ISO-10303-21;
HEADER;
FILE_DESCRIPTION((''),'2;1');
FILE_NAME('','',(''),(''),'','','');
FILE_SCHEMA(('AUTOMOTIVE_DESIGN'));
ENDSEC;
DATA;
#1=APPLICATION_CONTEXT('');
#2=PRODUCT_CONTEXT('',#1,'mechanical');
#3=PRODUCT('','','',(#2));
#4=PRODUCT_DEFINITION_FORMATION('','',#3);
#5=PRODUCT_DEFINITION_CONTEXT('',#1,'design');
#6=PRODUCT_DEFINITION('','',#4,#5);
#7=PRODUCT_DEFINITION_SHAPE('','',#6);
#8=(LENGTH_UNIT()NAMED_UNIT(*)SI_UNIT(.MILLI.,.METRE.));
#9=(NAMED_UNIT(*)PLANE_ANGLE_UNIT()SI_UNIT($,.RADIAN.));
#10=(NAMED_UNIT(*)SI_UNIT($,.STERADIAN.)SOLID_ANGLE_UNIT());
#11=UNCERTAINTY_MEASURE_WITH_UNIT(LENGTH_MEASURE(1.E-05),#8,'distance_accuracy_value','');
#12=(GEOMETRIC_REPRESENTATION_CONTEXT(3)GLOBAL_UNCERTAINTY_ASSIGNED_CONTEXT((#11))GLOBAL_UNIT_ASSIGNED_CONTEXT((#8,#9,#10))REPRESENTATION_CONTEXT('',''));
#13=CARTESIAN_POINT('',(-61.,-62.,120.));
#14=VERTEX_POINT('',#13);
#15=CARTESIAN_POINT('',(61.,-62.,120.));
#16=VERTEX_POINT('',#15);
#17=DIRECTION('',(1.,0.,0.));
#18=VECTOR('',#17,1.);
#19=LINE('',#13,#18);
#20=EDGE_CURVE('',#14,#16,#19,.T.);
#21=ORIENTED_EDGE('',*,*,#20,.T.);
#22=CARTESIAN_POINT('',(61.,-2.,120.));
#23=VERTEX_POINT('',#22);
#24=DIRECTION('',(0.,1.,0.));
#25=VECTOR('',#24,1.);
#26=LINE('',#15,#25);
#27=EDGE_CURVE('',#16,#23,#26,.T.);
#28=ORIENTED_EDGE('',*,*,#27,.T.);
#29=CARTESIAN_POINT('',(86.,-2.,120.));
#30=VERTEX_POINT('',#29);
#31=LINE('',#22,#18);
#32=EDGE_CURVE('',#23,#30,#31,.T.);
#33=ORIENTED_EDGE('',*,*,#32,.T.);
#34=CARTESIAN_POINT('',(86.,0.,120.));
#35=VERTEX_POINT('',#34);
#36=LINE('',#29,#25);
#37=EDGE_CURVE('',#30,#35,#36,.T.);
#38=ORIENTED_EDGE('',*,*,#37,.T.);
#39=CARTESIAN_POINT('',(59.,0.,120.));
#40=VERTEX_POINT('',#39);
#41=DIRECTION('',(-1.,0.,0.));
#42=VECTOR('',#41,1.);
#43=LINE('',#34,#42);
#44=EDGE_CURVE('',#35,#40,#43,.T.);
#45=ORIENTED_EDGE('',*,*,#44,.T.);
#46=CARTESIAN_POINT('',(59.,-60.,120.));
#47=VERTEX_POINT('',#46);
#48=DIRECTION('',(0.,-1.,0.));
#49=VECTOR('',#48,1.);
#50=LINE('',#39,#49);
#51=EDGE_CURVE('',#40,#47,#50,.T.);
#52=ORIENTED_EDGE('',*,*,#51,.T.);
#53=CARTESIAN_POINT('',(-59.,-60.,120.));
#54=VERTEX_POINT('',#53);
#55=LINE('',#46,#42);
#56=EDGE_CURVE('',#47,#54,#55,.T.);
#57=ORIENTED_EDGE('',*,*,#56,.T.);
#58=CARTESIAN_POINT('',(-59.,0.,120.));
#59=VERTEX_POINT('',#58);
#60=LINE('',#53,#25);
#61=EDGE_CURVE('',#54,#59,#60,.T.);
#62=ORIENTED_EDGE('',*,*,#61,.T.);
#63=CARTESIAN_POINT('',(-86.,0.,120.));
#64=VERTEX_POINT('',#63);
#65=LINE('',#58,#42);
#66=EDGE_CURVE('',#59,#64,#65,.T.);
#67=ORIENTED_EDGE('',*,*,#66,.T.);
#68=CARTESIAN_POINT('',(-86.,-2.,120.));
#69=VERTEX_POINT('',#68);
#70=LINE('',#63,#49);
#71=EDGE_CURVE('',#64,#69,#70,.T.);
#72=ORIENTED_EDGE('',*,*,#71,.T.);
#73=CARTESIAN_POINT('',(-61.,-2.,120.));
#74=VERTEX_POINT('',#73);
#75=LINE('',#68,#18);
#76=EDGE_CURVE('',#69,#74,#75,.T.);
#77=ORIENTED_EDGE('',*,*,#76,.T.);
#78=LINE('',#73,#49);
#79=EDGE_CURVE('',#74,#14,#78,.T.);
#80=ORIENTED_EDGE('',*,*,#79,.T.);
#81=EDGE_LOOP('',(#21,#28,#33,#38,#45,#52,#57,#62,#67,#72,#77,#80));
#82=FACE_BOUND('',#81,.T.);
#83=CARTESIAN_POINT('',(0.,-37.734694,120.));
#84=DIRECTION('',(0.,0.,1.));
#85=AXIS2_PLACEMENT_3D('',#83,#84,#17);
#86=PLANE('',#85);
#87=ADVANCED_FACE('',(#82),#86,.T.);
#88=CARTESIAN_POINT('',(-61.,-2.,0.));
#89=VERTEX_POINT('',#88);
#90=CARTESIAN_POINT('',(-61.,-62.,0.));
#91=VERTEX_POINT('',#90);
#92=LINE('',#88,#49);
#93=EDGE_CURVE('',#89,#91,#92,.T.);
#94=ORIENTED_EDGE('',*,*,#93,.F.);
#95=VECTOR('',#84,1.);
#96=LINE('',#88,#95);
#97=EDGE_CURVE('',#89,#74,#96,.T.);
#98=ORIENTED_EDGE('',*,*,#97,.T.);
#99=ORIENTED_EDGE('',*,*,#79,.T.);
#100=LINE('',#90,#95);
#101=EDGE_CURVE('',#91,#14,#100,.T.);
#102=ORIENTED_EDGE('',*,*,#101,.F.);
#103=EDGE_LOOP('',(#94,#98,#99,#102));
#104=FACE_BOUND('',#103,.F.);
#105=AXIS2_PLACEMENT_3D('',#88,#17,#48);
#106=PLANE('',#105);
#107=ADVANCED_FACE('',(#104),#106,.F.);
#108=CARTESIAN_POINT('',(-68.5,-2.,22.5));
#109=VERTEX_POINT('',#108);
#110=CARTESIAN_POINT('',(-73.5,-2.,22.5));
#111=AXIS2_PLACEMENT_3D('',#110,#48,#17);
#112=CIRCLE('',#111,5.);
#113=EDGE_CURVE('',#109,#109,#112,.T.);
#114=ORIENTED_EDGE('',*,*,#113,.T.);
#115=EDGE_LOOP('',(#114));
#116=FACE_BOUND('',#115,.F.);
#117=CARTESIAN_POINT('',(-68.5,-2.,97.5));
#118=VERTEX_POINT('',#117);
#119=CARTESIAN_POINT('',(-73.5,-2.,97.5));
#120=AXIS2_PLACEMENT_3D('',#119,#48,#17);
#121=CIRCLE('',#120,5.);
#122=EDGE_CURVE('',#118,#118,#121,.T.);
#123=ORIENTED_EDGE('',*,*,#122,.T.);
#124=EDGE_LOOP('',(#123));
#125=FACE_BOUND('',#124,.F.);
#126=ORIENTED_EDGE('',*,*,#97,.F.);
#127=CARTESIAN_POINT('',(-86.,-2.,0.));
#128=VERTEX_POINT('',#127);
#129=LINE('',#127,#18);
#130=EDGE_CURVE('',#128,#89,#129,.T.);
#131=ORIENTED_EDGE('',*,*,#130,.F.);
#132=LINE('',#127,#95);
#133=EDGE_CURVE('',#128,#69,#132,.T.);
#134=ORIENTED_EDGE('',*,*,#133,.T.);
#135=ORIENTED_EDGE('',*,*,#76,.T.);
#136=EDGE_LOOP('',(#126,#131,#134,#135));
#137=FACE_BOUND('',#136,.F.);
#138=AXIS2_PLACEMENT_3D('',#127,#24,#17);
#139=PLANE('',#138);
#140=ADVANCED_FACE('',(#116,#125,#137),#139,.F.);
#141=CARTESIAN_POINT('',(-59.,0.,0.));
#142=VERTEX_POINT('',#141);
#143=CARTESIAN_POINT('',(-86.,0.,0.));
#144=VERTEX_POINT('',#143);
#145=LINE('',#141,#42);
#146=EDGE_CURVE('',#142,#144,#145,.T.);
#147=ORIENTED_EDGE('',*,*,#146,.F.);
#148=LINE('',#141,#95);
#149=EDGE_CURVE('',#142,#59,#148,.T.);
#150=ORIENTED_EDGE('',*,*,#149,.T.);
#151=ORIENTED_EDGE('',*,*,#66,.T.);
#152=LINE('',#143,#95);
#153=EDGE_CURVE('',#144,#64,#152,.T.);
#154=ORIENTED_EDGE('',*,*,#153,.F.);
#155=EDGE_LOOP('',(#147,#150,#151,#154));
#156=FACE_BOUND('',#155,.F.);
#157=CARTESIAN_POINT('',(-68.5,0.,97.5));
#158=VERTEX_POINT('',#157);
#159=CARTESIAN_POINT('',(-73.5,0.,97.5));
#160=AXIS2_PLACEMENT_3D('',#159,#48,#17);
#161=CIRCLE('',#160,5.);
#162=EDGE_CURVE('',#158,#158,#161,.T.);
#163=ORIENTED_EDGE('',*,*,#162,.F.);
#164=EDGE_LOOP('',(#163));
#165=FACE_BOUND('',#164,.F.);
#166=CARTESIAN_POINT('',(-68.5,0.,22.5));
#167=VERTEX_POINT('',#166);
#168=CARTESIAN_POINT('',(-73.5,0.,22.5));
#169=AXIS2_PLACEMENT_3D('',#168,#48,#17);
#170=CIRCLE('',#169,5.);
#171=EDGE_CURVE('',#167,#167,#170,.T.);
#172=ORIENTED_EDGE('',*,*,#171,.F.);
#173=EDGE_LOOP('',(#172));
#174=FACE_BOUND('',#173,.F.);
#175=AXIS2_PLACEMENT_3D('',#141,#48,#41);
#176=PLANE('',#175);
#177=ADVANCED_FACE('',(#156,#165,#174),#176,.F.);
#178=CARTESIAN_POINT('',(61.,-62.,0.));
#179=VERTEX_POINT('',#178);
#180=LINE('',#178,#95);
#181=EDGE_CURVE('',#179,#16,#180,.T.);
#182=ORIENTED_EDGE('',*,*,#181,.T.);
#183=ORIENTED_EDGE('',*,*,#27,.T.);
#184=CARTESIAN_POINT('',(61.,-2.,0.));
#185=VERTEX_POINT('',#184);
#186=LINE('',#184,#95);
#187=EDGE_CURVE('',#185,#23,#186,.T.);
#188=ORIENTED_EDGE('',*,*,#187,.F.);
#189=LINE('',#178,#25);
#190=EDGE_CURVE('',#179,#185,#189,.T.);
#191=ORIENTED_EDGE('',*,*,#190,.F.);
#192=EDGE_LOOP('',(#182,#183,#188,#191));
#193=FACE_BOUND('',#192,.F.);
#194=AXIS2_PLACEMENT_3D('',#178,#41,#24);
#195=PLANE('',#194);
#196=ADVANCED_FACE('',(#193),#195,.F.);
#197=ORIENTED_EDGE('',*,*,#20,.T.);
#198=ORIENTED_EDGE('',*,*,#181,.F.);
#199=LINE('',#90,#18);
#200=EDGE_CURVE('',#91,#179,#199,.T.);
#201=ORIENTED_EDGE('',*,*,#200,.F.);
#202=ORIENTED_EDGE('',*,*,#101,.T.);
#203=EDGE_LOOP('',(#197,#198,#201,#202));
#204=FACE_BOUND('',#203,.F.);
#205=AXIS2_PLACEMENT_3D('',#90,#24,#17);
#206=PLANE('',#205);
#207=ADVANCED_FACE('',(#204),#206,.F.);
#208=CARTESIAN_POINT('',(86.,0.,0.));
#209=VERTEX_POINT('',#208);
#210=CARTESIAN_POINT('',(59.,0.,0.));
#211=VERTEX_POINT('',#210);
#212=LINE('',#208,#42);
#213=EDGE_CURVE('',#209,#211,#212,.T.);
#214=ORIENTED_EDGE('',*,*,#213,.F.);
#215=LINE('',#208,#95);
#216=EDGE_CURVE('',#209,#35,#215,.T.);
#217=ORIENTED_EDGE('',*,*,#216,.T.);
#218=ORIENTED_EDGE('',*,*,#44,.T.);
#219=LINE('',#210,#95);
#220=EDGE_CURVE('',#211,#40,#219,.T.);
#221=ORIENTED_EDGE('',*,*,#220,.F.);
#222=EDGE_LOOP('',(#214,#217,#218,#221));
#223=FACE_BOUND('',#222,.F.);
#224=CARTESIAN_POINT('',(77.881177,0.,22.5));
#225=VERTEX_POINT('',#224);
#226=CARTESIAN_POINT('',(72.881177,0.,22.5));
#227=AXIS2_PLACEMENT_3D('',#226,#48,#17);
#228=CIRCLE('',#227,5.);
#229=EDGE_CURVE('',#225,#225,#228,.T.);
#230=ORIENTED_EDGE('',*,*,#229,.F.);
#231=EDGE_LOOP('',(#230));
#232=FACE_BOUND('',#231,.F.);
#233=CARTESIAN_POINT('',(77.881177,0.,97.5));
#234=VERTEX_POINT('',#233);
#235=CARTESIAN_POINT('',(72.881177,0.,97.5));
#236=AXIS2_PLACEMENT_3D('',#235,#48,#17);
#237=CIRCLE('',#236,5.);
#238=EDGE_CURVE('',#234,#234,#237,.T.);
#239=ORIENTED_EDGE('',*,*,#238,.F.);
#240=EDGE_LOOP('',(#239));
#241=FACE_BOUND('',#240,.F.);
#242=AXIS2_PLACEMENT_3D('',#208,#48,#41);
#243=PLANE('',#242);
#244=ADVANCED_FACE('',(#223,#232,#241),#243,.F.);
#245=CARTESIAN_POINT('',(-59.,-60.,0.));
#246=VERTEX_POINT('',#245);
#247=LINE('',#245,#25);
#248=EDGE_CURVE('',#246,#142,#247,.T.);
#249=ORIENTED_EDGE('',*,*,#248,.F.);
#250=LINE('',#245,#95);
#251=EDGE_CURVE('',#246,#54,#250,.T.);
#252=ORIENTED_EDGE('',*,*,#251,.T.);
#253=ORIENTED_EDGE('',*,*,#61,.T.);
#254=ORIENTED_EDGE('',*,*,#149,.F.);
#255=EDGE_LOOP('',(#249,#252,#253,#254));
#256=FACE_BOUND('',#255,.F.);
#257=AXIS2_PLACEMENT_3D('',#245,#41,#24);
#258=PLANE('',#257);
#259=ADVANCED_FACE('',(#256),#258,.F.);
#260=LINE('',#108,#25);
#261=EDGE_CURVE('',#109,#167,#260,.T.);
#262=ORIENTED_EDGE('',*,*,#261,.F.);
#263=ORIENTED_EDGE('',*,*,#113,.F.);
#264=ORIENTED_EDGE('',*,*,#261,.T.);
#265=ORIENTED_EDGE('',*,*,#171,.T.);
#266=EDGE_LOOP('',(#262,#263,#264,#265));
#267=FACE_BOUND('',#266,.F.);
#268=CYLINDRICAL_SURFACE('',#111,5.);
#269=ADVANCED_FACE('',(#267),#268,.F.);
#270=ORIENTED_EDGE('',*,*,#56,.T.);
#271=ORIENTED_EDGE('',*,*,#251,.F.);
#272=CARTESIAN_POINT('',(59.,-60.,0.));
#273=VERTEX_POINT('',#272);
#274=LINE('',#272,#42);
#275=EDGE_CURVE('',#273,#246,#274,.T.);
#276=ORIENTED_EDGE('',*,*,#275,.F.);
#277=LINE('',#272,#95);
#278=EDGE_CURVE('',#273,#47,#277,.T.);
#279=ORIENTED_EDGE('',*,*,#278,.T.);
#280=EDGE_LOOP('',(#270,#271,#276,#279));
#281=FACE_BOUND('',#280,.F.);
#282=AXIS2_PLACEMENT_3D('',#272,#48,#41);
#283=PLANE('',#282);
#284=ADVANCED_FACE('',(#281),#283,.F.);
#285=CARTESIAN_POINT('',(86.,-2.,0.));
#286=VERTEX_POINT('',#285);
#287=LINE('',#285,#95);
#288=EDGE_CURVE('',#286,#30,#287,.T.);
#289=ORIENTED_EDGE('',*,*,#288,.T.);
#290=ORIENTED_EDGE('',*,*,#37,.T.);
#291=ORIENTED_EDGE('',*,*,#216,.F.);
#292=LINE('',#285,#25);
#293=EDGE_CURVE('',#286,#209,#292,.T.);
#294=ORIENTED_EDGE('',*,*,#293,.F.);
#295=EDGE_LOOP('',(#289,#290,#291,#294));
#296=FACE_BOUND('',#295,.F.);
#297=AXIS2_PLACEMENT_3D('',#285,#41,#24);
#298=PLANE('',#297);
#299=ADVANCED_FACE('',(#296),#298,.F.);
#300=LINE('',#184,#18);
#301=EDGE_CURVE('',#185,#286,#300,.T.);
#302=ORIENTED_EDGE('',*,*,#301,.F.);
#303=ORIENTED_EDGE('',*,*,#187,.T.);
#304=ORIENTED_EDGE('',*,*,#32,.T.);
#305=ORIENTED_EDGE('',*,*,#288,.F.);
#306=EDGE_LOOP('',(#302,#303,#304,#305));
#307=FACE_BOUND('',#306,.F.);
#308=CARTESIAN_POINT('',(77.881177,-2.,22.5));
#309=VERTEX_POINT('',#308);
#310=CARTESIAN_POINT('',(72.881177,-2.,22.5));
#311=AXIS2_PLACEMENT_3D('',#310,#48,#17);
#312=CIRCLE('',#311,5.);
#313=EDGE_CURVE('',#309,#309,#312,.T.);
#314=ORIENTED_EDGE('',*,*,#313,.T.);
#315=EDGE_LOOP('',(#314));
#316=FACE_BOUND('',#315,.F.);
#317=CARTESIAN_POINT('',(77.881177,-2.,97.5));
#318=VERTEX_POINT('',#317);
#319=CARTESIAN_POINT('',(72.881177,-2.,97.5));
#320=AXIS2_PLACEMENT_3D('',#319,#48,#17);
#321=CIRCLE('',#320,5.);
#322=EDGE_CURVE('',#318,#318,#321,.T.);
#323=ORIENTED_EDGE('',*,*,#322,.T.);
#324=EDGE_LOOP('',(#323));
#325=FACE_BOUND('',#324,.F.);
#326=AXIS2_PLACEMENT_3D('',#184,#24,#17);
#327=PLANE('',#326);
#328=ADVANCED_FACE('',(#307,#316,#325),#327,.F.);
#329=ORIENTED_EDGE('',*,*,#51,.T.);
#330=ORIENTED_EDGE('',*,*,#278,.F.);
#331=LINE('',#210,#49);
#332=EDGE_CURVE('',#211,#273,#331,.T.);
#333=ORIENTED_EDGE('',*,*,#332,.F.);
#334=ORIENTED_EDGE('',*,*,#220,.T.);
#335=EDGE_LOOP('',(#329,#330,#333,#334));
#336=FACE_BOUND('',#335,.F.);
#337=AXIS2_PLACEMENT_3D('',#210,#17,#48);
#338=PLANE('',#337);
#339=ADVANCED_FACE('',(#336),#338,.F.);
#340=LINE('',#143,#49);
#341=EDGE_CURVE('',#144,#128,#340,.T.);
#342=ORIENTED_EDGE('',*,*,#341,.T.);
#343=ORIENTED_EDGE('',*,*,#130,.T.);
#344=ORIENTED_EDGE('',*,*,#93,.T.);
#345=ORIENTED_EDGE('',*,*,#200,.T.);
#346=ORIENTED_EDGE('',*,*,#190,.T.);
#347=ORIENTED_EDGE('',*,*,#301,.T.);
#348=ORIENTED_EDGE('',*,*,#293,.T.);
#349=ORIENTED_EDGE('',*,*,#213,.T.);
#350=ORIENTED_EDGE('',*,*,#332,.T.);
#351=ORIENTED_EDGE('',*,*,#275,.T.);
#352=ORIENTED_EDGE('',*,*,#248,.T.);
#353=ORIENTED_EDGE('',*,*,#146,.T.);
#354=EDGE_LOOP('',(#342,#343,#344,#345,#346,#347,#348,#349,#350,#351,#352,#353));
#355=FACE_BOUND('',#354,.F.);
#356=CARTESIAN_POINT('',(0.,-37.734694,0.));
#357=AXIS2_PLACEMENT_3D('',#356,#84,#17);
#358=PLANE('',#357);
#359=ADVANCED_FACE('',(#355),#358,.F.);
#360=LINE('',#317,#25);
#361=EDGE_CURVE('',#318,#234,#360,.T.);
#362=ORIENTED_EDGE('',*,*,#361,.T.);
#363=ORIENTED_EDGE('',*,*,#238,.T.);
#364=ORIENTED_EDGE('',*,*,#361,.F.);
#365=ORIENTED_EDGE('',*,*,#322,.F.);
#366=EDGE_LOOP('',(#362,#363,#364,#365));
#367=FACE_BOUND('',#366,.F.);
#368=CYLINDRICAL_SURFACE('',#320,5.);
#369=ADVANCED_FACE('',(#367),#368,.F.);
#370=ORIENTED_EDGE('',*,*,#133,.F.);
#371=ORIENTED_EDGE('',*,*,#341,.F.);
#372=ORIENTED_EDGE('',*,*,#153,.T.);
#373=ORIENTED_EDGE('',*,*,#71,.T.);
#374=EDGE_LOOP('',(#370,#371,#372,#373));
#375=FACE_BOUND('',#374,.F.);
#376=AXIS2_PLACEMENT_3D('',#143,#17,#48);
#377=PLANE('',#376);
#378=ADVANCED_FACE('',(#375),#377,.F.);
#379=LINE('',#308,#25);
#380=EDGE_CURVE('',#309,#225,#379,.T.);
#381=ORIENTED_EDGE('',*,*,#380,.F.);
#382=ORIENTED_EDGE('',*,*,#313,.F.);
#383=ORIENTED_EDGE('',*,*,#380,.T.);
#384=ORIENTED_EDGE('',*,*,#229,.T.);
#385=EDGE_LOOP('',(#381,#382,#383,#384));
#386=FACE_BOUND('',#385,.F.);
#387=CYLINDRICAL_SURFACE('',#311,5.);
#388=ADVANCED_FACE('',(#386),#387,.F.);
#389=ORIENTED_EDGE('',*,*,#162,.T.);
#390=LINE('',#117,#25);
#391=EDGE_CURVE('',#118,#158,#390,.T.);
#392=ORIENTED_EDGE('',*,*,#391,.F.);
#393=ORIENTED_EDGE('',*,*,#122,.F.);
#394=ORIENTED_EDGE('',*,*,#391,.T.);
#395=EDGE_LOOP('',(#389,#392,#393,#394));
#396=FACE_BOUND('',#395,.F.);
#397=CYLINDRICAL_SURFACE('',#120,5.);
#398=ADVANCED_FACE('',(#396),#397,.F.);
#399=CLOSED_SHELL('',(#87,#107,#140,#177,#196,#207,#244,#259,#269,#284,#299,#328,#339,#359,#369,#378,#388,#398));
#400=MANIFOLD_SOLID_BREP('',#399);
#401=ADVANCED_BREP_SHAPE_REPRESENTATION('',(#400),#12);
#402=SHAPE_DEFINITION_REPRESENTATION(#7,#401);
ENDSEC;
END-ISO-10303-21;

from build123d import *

# Parameters (mm, degrees)
F1_DEPTH = 120
F2_R     = 5
F3_DEPTH = 25
F4_R     = 5
F5_DEPTH = 25


with BuildPart() as f1:
    # F0 (on Top) → F1 (new body)
    with BuildSketch(Plane.XY):
        Polygon((-59, 0), (-86, 0), (-86, -2), (-61, -2), (-61, -62), (61, -62), (61, -2), (86, -2), (86, 0), (59, 0), (59, -60), (-59, -60), align=None)
    extrude(amount=F1_DEPTH)

    # F2 (on face) → F3 (cut)
    with BuildSketch(Plane.XZ.offset(2)):
        with Locations((-73.5, 97.5)):
            Circle(F2_R)
        with Locations((-73.5, 22.5)):
            Circle(F2_R)
    extrude(amount=-F3_DEPTH, mode=Mode.SUBTRACT)

    # F4 (on face) → F5 (cut)
    with BuildSketch(Plane.XZ.offset(2)):
        with Locations((72.881177, 97.5)):
            Circle(F4_R)
        with Locations((72.881177, 22.5)):
            Circle(F4_R)
    extrude(amount=-F5_DEPTH, mode=Mode.SUBTRACT)


solid = f1.part
